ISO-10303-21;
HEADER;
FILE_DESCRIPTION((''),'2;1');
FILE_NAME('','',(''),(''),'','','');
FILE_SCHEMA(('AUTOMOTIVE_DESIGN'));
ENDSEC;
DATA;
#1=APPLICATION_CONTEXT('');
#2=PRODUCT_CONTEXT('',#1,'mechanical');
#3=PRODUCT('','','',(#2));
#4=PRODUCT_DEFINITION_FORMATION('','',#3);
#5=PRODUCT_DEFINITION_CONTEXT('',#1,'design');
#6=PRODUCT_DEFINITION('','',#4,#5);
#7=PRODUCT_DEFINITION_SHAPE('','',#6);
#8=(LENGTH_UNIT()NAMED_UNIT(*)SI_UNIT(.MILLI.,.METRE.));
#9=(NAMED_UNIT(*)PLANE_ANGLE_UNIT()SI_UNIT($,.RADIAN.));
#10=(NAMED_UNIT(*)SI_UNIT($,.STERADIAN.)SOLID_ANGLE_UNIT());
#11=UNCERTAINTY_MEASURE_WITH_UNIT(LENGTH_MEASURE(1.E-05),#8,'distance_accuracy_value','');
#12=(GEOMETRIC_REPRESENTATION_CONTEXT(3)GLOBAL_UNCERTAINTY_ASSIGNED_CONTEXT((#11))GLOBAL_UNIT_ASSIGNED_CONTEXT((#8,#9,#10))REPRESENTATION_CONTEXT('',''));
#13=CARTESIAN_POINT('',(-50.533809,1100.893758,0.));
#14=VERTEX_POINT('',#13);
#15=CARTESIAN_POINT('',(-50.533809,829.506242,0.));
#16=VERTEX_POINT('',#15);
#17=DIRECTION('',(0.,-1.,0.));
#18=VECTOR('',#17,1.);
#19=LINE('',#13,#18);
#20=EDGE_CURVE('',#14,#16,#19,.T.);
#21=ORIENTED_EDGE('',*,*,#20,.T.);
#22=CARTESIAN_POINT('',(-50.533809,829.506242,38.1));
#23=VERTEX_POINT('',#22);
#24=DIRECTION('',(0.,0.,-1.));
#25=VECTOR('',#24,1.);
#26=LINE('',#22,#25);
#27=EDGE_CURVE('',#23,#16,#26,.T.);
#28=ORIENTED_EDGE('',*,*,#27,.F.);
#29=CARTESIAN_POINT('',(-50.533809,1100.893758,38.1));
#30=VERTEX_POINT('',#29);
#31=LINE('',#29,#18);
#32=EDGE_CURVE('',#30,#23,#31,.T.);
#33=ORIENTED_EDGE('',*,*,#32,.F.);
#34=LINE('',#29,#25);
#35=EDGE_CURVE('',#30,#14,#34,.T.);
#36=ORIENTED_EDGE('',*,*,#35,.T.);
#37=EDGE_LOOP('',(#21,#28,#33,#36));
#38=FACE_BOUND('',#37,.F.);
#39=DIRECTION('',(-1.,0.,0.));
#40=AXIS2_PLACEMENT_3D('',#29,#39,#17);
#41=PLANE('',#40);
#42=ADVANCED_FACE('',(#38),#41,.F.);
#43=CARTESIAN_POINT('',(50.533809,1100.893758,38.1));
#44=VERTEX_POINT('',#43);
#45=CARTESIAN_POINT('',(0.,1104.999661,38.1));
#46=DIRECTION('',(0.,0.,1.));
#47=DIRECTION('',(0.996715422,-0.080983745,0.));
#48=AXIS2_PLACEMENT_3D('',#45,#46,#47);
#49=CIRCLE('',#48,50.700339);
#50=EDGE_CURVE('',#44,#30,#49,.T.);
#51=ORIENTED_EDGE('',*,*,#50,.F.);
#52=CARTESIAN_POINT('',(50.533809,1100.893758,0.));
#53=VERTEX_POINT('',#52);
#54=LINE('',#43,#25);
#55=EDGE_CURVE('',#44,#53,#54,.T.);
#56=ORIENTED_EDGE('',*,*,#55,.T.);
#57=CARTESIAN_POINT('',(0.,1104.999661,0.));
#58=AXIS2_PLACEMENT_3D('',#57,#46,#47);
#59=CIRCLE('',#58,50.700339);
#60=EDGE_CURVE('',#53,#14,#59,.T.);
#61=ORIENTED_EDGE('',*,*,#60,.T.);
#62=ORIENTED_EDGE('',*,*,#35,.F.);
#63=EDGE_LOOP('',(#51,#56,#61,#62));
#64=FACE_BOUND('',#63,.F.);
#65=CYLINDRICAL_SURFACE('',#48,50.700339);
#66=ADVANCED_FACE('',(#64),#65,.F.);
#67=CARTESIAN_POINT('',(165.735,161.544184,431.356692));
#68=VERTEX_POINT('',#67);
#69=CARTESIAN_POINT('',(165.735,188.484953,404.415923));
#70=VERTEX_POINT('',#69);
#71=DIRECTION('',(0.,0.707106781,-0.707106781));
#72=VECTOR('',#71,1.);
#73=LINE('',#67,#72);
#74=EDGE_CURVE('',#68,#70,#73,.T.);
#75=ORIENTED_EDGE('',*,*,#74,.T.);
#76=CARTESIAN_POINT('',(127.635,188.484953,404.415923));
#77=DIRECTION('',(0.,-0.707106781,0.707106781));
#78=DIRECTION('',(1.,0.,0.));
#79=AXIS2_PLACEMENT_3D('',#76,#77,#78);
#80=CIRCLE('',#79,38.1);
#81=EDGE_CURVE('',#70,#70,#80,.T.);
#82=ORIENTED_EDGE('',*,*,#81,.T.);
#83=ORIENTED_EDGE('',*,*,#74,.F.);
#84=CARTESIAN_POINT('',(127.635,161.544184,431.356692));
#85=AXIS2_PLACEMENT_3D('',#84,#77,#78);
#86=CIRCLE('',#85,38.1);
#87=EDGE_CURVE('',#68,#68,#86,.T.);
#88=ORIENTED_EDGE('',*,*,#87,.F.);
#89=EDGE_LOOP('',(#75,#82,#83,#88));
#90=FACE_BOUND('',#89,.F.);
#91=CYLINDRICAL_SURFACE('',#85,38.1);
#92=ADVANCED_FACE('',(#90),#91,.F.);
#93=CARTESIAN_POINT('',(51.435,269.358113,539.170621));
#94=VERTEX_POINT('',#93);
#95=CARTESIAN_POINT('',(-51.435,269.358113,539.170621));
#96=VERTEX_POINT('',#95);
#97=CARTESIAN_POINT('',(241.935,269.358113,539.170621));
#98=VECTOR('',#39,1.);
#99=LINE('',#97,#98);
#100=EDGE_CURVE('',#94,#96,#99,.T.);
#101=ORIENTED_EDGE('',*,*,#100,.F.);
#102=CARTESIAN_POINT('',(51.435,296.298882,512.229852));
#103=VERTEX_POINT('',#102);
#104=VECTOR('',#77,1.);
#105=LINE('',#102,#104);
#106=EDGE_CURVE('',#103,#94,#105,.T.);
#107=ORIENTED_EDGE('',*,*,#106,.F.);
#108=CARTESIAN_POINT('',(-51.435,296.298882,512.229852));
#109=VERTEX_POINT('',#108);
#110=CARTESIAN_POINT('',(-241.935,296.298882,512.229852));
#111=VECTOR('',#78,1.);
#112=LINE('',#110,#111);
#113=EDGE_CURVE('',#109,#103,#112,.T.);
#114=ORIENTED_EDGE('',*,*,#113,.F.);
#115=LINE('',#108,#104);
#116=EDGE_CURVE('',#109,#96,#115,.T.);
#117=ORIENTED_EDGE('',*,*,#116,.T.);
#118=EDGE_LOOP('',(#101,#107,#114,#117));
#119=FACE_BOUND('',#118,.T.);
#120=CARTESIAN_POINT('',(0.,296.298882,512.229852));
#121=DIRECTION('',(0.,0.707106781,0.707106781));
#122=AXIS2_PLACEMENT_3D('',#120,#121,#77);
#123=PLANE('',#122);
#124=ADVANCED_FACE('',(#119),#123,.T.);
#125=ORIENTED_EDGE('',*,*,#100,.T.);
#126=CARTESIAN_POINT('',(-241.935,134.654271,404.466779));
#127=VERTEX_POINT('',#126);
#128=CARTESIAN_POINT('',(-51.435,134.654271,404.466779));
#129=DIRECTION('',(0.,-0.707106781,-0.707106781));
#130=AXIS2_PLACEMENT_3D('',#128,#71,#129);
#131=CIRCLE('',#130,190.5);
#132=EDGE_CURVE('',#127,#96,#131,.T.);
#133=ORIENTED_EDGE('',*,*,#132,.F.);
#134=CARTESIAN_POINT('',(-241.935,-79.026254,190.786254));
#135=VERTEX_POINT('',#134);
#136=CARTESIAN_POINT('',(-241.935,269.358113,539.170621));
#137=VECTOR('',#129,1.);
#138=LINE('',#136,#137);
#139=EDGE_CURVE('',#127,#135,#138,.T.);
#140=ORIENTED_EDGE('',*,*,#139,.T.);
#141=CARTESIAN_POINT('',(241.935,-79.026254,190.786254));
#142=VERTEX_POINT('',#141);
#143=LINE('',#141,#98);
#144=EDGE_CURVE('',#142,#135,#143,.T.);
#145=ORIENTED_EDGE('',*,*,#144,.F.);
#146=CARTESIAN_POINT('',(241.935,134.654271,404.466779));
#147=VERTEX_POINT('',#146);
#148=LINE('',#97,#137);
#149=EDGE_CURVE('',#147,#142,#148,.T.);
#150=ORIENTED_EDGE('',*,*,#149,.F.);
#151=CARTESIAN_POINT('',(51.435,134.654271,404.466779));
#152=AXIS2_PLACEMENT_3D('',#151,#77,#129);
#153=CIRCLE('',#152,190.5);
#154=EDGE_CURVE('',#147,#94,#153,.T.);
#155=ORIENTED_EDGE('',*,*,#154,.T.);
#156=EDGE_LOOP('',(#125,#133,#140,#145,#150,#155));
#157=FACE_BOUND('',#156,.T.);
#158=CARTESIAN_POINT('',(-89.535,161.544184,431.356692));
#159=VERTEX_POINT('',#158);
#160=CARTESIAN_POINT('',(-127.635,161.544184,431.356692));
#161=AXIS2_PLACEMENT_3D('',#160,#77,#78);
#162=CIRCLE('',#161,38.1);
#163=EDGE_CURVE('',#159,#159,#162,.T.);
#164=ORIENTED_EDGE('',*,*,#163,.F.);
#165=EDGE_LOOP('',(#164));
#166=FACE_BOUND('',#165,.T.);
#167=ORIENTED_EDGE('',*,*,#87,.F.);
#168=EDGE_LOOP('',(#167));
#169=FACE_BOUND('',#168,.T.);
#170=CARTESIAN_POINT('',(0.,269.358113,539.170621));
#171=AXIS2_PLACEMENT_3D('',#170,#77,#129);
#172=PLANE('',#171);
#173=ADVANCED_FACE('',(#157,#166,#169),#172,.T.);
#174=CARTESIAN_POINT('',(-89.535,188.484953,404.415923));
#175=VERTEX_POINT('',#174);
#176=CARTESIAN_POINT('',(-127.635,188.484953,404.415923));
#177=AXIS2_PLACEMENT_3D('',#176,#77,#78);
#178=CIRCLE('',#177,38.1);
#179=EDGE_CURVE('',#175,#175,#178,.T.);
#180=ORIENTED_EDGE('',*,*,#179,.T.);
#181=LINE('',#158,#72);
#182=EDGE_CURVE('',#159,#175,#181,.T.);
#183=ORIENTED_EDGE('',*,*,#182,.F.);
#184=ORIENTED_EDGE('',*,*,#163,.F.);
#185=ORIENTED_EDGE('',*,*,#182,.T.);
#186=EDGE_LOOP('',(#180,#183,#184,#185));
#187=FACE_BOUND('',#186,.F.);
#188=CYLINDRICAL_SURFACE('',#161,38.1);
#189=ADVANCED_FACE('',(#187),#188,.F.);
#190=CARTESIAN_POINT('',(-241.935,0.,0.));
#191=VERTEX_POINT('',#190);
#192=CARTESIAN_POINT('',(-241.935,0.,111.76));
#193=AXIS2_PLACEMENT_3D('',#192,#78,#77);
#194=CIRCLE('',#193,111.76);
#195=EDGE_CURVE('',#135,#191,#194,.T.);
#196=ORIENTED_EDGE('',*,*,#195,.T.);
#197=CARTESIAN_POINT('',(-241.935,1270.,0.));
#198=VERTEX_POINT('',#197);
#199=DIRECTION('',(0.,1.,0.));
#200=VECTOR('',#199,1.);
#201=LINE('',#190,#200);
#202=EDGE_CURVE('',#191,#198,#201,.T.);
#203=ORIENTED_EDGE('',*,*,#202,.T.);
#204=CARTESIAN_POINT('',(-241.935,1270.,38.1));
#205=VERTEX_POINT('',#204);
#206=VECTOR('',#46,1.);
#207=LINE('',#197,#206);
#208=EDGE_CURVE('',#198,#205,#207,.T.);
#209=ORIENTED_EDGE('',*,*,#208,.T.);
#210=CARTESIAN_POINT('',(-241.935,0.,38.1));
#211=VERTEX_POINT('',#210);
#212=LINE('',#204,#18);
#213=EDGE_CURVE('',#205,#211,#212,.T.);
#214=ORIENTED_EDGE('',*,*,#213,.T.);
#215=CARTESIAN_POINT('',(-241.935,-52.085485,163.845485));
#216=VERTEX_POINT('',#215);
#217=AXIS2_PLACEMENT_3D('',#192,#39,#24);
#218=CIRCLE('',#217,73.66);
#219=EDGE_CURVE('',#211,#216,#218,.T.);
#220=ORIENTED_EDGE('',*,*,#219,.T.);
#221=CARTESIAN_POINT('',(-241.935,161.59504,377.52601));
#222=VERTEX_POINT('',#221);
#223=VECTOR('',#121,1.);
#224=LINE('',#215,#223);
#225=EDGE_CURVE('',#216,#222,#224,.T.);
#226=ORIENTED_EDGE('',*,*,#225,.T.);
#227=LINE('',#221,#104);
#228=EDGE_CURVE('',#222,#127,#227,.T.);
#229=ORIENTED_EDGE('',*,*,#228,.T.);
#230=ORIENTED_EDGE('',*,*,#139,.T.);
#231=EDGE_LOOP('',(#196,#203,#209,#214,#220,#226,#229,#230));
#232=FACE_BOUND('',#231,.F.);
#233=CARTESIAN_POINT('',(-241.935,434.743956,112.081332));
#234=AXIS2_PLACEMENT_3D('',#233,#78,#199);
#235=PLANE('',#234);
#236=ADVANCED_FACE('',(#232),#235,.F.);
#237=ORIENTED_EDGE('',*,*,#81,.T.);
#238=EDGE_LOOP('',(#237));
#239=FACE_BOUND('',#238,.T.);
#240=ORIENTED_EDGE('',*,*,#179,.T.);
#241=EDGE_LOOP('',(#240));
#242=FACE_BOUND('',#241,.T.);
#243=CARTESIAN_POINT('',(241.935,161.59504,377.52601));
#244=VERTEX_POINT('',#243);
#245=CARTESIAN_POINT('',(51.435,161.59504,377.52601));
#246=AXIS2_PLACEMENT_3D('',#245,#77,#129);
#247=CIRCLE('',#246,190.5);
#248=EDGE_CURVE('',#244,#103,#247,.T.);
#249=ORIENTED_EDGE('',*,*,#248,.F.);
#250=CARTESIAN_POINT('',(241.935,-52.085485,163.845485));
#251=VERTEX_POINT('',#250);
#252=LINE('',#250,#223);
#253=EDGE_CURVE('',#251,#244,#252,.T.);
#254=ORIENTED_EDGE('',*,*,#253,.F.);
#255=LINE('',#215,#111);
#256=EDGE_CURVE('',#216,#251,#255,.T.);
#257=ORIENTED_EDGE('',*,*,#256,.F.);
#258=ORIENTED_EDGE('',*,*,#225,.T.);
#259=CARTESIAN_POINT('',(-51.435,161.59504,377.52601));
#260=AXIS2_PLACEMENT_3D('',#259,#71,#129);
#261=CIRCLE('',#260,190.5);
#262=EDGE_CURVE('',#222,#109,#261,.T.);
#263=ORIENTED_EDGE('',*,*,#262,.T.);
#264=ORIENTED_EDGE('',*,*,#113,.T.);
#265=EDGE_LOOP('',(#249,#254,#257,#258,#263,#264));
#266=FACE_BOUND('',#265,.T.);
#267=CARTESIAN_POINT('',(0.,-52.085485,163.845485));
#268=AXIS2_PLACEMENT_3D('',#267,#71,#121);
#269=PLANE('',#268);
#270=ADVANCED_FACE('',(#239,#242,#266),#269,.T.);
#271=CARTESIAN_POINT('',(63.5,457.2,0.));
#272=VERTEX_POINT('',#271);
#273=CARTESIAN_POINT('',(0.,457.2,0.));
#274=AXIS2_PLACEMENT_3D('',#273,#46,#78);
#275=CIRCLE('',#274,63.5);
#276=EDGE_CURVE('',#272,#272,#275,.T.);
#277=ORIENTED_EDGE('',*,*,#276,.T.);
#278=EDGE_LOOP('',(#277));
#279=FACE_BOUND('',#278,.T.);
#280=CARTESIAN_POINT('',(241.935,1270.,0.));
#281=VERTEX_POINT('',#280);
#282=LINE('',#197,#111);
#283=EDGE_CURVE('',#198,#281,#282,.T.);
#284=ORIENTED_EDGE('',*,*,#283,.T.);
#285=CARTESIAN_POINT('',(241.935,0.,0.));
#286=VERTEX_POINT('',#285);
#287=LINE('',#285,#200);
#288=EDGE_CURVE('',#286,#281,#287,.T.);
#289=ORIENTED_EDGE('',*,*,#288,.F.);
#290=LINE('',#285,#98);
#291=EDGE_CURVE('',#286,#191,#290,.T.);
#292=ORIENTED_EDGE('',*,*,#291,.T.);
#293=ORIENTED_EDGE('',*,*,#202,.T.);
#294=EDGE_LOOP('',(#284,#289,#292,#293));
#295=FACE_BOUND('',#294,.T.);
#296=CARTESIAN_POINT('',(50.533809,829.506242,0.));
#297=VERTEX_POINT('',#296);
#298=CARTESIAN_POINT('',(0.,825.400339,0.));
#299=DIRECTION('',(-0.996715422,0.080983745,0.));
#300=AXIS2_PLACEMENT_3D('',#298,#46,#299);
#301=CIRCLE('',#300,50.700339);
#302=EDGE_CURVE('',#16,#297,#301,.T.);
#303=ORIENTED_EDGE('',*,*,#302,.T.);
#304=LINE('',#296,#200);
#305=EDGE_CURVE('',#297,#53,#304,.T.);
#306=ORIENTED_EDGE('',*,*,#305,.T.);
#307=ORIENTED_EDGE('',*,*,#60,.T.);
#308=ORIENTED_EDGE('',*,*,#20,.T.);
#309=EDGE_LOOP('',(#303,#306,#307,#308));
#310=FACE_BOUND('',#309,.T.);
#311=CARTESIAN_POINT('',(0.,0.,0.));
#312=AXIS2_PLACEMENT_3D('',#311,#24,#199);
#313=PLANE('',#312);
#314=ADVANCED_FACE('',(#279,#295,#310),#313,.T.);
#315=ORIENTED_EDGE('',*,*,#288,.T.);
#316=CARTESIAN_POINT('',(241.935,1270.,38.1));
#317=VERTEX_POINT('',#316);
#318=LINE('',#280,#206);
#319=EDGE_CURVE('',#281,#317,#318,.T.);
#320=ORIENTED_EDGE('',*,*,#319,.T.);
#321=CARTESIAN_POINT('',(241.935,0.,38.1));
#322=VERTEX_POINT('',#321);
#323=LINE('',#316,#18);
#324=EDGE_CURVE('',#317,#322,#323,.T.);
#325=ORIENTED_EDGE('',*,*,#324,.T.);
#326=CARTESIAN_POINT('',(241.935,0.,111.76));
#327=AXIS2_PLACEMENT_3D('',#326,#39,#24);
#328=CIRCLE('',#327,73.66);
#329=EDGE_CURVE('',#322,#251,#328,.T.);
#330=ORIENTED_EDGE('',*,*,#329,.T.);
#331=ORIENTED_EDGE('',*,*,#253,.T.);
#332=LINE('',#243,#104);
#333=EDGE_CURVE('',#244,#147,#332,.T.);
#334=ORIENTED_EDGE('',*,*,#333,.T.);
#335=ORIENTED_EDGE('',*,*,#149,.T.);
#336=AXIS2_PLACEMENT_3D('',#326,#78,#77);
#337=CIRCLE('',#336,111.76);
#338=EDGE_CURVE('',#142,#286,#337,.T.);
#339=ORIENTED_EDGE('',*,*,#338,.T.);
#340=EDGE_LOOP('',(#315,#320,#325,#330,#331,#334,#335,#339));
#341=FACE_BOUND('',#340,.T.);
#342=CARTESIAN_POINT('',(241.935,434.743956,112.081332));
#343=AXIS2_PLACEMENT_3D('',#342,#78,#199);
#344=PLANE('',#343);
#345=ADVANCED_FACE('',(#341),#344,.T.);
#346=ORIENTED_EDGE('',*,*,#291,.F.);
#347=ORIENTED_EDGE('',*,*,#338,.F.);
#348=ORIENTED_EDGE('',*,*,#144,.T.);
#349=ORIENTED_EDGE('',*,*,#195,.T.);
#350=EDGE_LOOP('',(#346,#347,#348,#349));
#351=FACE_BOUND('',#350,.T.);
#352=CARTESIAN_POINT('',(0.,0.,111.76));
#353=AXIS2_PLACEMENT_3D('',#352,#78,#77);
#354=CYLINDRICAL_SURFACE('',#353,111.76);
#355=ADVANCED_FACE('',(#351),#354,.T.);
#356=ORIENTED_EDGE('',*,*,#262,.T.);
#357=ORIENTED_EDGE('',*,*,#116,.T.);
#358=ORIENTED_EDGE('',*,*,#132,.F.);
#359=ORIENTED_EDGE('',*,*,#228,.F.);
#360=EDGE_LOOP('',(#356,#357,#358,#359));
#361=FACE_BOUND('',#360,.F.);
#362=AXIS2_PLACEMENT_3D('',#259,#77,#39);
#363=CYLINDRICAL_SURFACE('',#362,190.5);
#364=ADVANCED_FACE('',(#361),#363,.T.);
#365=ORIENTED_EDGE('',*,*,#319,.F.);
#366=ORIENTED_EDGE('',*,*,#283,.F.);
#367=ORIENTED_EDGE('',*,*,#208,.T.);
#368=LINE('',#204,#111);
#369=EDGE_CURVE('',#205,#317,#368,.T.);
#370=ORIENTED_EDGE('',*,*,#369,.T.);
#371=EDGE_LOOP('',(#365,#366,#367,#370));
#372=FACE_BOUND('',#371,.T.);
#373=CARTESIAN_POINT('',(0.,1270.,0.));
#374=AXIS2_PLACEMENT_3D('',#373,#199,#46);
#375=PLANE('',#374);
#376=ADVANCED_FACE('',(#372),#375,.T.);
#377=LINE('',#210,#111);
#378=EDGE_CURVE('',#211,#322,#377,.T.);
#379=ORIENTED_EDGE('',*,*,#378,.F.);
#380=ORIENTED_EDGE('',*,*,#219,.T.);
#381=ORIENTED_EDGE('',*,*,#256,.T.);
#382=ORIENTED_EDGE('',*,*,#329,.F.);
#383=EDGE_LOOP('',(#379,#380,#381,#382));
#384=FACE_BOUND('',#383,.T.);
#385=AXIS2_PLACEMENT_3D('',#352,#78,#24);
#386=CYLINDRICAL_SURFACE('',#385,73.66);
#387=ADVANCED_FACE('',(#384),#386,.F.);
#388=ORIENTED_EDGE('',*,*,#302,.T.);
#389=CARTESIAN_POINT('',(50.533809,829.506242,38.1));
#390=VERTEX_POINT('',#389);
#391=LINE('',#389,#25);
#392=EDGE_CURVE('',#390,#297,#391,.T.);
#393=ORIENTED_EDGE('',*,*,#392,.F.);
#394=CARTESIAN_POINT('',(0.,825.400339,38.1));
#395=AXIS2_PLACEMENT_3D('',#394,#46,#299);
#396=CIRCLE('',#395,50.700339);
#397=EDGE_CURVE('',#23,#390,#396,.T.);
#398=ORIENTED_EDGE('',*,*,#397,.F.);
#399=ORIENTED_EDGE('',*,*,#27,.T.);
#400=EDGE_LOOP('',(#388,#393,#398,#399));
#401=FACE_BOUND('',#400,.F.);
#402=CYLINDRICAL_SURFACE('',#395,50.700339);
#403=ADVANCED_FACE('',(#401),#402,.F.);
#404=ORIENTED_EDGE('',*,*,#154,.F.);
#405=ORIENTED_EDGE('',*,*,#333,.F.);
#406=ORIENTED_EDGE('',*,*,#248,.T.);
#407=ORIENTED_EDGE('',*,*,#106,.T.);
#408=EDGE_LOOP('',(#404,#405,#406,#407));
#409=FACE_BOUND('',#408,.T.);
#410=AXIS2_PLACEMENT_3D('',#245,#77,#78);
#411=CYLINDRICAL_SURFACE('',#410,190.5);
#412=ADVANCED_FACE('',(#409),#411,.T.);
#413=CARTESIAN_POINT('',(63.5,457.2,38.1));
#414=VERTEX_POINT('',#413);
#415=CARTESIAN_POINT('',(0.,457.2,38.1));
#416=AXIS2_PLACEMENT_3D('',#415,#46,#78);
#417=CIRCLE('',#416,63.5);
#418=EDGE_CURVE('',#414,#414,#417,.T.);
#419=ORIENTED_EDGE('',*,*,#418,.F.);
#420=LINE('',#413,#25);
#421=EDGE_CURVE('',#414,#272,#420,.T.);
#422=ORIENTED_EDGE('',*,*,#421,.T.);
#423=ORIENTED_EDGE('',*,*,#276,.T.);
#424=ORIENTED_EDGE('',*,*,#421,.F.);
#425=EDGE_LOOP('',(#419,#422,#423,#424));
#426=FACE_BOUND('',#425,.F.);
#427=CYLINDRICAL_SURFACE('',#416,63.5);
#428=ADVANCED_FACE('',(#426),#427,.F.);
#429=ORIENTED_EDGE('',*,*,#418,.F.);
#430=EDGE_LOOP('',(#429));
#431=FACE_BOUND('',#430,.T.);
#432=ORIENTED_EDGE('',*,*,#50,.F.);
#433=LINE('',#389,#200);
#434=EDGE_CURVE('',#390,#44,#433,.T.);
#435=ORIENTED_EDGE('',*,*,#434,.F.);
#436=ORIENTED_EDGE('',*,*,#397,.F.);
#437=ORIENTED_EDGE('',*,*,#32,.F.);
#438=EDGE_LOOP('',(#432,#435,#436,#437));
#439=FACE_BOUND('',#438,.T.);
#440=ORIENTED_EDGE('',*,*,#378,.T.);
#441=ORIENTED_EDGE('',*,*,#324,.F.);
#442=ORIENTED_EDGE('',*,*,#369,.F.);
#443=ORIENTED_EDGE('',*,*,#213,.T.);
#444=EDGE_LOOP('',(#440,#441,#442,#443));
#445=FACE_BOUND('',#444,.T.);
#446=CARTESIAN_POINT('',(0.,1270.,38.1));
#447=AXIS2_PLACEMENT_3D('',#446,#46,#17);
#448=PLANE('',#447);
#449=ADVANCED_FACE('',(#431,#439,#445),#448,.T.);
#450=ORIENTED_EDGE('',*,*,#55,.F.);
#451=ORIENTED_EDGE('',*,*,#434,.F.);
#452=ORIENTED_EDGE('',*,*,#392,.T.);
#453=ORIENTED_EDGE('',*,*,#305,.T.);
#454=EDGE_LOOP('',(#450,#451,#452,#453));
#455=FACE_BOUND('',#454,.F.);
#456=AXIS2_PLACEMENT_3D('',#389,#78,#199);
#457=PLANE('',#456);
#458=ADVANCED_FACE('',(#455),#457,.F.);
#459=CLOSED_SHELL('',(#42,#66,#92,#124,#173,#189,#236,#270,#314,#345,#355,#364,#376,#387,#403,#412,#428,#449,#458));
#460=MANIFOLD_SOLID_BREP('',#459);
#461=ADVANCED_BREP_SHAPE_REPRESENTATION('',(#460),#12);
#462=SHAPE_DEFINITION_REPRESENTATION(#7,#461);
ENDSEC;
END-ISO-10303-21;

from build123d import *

# Parameters (mm, degrees)
F1_DEPTH = 241.935
F2_R     = 38.1
F3_DEPTH = 38.1000004709
F4_R     = 63.5
F5_DEPTH = 38.1000004709
F6_R     = 190.5


with BuildPart() as f1:
    # F0 (on Right) → F1 (new body, symmetric)
    with BuildSketch(Plane.YZ):
        with BuildLine():
            Line((0, 0), (1270, 0))
            Line((1270, 0), (1270, 38.1000004709))
            Line((1270, 38.1000004709), (0, 38.1000004709))
            ThreePointArc((0, 38.1000004709), (-68.0529659297, 83.5715385522), (-52.0854851692, 163.8454851692))
            Line((-52.0854851692, 163.8454851692), (296.2988816537, 512.2298519922))
            Line((296.2988816537, 512.2298519922), (269.3581129575, 539.1706206883))
            Line((269.3581129575, 539.1706206883), (-79.0262538654, 190.7862538654))
            ThreePointArc((-79.0262538654, 190.7862538654), (-103.2527765535, 68.9912995989), (0, 0))
        make_face()
    extrude(amount=F1_DEPTH, both=True)

    # F2 (on face) → F3 (cut, through all)
    with BuildSketch(Plane(origin=(0, -134.9062538654, 134.9062538654), x_dir=(1, 0, 0), z_dir=(0, -0.7071067812, 0.7071067812))):
        with Locations((-127.635, 419.2442297935)):
            Circle(F2_R)
        with Locations((127.635, 419.2442297935)):
            Circle(F2_R)
    extrude(amount=-F3_DEPTH, mode=Mode.SUBTRACT)

    # F4 (on face) → F5 (cut, through all)
    with BuildSketch(Plane.XY.offset(38.1000004709)):
        with Locations((0, 457.2)):
            Circle(F4_R)
        with BuildLine():
            Line((-50.5338093541, 1100.8937581723), (-50.5338093541, 829.5062418277))
            ThreePointArc((-50.5338093541, 829.5062418277), (0, 774.7), (50.5338093541, 829.5062418277))
            Line((50.5338093541, 829.5062418277), (50.5338093541, 1100.8937581723))
            ThreePointArc((50.5338093541, 1100.8937581723), (0, 1155.7), (-50.5338093541, 1100.8937581723))
        make_face()
    extrude(amount=-F5_DEPTH, mode=Mode.SUBTRACT)

    # F6
    f6_edges = [f1.edges().sort_by_distance(p)[0] for p in [
        (-241.935, 282.828497, 525.700236),
        (241.935, 282.828497, 525.700236),
    ]]
    fillet(f6_edges, radius=F6_R)


solid = f1.part
